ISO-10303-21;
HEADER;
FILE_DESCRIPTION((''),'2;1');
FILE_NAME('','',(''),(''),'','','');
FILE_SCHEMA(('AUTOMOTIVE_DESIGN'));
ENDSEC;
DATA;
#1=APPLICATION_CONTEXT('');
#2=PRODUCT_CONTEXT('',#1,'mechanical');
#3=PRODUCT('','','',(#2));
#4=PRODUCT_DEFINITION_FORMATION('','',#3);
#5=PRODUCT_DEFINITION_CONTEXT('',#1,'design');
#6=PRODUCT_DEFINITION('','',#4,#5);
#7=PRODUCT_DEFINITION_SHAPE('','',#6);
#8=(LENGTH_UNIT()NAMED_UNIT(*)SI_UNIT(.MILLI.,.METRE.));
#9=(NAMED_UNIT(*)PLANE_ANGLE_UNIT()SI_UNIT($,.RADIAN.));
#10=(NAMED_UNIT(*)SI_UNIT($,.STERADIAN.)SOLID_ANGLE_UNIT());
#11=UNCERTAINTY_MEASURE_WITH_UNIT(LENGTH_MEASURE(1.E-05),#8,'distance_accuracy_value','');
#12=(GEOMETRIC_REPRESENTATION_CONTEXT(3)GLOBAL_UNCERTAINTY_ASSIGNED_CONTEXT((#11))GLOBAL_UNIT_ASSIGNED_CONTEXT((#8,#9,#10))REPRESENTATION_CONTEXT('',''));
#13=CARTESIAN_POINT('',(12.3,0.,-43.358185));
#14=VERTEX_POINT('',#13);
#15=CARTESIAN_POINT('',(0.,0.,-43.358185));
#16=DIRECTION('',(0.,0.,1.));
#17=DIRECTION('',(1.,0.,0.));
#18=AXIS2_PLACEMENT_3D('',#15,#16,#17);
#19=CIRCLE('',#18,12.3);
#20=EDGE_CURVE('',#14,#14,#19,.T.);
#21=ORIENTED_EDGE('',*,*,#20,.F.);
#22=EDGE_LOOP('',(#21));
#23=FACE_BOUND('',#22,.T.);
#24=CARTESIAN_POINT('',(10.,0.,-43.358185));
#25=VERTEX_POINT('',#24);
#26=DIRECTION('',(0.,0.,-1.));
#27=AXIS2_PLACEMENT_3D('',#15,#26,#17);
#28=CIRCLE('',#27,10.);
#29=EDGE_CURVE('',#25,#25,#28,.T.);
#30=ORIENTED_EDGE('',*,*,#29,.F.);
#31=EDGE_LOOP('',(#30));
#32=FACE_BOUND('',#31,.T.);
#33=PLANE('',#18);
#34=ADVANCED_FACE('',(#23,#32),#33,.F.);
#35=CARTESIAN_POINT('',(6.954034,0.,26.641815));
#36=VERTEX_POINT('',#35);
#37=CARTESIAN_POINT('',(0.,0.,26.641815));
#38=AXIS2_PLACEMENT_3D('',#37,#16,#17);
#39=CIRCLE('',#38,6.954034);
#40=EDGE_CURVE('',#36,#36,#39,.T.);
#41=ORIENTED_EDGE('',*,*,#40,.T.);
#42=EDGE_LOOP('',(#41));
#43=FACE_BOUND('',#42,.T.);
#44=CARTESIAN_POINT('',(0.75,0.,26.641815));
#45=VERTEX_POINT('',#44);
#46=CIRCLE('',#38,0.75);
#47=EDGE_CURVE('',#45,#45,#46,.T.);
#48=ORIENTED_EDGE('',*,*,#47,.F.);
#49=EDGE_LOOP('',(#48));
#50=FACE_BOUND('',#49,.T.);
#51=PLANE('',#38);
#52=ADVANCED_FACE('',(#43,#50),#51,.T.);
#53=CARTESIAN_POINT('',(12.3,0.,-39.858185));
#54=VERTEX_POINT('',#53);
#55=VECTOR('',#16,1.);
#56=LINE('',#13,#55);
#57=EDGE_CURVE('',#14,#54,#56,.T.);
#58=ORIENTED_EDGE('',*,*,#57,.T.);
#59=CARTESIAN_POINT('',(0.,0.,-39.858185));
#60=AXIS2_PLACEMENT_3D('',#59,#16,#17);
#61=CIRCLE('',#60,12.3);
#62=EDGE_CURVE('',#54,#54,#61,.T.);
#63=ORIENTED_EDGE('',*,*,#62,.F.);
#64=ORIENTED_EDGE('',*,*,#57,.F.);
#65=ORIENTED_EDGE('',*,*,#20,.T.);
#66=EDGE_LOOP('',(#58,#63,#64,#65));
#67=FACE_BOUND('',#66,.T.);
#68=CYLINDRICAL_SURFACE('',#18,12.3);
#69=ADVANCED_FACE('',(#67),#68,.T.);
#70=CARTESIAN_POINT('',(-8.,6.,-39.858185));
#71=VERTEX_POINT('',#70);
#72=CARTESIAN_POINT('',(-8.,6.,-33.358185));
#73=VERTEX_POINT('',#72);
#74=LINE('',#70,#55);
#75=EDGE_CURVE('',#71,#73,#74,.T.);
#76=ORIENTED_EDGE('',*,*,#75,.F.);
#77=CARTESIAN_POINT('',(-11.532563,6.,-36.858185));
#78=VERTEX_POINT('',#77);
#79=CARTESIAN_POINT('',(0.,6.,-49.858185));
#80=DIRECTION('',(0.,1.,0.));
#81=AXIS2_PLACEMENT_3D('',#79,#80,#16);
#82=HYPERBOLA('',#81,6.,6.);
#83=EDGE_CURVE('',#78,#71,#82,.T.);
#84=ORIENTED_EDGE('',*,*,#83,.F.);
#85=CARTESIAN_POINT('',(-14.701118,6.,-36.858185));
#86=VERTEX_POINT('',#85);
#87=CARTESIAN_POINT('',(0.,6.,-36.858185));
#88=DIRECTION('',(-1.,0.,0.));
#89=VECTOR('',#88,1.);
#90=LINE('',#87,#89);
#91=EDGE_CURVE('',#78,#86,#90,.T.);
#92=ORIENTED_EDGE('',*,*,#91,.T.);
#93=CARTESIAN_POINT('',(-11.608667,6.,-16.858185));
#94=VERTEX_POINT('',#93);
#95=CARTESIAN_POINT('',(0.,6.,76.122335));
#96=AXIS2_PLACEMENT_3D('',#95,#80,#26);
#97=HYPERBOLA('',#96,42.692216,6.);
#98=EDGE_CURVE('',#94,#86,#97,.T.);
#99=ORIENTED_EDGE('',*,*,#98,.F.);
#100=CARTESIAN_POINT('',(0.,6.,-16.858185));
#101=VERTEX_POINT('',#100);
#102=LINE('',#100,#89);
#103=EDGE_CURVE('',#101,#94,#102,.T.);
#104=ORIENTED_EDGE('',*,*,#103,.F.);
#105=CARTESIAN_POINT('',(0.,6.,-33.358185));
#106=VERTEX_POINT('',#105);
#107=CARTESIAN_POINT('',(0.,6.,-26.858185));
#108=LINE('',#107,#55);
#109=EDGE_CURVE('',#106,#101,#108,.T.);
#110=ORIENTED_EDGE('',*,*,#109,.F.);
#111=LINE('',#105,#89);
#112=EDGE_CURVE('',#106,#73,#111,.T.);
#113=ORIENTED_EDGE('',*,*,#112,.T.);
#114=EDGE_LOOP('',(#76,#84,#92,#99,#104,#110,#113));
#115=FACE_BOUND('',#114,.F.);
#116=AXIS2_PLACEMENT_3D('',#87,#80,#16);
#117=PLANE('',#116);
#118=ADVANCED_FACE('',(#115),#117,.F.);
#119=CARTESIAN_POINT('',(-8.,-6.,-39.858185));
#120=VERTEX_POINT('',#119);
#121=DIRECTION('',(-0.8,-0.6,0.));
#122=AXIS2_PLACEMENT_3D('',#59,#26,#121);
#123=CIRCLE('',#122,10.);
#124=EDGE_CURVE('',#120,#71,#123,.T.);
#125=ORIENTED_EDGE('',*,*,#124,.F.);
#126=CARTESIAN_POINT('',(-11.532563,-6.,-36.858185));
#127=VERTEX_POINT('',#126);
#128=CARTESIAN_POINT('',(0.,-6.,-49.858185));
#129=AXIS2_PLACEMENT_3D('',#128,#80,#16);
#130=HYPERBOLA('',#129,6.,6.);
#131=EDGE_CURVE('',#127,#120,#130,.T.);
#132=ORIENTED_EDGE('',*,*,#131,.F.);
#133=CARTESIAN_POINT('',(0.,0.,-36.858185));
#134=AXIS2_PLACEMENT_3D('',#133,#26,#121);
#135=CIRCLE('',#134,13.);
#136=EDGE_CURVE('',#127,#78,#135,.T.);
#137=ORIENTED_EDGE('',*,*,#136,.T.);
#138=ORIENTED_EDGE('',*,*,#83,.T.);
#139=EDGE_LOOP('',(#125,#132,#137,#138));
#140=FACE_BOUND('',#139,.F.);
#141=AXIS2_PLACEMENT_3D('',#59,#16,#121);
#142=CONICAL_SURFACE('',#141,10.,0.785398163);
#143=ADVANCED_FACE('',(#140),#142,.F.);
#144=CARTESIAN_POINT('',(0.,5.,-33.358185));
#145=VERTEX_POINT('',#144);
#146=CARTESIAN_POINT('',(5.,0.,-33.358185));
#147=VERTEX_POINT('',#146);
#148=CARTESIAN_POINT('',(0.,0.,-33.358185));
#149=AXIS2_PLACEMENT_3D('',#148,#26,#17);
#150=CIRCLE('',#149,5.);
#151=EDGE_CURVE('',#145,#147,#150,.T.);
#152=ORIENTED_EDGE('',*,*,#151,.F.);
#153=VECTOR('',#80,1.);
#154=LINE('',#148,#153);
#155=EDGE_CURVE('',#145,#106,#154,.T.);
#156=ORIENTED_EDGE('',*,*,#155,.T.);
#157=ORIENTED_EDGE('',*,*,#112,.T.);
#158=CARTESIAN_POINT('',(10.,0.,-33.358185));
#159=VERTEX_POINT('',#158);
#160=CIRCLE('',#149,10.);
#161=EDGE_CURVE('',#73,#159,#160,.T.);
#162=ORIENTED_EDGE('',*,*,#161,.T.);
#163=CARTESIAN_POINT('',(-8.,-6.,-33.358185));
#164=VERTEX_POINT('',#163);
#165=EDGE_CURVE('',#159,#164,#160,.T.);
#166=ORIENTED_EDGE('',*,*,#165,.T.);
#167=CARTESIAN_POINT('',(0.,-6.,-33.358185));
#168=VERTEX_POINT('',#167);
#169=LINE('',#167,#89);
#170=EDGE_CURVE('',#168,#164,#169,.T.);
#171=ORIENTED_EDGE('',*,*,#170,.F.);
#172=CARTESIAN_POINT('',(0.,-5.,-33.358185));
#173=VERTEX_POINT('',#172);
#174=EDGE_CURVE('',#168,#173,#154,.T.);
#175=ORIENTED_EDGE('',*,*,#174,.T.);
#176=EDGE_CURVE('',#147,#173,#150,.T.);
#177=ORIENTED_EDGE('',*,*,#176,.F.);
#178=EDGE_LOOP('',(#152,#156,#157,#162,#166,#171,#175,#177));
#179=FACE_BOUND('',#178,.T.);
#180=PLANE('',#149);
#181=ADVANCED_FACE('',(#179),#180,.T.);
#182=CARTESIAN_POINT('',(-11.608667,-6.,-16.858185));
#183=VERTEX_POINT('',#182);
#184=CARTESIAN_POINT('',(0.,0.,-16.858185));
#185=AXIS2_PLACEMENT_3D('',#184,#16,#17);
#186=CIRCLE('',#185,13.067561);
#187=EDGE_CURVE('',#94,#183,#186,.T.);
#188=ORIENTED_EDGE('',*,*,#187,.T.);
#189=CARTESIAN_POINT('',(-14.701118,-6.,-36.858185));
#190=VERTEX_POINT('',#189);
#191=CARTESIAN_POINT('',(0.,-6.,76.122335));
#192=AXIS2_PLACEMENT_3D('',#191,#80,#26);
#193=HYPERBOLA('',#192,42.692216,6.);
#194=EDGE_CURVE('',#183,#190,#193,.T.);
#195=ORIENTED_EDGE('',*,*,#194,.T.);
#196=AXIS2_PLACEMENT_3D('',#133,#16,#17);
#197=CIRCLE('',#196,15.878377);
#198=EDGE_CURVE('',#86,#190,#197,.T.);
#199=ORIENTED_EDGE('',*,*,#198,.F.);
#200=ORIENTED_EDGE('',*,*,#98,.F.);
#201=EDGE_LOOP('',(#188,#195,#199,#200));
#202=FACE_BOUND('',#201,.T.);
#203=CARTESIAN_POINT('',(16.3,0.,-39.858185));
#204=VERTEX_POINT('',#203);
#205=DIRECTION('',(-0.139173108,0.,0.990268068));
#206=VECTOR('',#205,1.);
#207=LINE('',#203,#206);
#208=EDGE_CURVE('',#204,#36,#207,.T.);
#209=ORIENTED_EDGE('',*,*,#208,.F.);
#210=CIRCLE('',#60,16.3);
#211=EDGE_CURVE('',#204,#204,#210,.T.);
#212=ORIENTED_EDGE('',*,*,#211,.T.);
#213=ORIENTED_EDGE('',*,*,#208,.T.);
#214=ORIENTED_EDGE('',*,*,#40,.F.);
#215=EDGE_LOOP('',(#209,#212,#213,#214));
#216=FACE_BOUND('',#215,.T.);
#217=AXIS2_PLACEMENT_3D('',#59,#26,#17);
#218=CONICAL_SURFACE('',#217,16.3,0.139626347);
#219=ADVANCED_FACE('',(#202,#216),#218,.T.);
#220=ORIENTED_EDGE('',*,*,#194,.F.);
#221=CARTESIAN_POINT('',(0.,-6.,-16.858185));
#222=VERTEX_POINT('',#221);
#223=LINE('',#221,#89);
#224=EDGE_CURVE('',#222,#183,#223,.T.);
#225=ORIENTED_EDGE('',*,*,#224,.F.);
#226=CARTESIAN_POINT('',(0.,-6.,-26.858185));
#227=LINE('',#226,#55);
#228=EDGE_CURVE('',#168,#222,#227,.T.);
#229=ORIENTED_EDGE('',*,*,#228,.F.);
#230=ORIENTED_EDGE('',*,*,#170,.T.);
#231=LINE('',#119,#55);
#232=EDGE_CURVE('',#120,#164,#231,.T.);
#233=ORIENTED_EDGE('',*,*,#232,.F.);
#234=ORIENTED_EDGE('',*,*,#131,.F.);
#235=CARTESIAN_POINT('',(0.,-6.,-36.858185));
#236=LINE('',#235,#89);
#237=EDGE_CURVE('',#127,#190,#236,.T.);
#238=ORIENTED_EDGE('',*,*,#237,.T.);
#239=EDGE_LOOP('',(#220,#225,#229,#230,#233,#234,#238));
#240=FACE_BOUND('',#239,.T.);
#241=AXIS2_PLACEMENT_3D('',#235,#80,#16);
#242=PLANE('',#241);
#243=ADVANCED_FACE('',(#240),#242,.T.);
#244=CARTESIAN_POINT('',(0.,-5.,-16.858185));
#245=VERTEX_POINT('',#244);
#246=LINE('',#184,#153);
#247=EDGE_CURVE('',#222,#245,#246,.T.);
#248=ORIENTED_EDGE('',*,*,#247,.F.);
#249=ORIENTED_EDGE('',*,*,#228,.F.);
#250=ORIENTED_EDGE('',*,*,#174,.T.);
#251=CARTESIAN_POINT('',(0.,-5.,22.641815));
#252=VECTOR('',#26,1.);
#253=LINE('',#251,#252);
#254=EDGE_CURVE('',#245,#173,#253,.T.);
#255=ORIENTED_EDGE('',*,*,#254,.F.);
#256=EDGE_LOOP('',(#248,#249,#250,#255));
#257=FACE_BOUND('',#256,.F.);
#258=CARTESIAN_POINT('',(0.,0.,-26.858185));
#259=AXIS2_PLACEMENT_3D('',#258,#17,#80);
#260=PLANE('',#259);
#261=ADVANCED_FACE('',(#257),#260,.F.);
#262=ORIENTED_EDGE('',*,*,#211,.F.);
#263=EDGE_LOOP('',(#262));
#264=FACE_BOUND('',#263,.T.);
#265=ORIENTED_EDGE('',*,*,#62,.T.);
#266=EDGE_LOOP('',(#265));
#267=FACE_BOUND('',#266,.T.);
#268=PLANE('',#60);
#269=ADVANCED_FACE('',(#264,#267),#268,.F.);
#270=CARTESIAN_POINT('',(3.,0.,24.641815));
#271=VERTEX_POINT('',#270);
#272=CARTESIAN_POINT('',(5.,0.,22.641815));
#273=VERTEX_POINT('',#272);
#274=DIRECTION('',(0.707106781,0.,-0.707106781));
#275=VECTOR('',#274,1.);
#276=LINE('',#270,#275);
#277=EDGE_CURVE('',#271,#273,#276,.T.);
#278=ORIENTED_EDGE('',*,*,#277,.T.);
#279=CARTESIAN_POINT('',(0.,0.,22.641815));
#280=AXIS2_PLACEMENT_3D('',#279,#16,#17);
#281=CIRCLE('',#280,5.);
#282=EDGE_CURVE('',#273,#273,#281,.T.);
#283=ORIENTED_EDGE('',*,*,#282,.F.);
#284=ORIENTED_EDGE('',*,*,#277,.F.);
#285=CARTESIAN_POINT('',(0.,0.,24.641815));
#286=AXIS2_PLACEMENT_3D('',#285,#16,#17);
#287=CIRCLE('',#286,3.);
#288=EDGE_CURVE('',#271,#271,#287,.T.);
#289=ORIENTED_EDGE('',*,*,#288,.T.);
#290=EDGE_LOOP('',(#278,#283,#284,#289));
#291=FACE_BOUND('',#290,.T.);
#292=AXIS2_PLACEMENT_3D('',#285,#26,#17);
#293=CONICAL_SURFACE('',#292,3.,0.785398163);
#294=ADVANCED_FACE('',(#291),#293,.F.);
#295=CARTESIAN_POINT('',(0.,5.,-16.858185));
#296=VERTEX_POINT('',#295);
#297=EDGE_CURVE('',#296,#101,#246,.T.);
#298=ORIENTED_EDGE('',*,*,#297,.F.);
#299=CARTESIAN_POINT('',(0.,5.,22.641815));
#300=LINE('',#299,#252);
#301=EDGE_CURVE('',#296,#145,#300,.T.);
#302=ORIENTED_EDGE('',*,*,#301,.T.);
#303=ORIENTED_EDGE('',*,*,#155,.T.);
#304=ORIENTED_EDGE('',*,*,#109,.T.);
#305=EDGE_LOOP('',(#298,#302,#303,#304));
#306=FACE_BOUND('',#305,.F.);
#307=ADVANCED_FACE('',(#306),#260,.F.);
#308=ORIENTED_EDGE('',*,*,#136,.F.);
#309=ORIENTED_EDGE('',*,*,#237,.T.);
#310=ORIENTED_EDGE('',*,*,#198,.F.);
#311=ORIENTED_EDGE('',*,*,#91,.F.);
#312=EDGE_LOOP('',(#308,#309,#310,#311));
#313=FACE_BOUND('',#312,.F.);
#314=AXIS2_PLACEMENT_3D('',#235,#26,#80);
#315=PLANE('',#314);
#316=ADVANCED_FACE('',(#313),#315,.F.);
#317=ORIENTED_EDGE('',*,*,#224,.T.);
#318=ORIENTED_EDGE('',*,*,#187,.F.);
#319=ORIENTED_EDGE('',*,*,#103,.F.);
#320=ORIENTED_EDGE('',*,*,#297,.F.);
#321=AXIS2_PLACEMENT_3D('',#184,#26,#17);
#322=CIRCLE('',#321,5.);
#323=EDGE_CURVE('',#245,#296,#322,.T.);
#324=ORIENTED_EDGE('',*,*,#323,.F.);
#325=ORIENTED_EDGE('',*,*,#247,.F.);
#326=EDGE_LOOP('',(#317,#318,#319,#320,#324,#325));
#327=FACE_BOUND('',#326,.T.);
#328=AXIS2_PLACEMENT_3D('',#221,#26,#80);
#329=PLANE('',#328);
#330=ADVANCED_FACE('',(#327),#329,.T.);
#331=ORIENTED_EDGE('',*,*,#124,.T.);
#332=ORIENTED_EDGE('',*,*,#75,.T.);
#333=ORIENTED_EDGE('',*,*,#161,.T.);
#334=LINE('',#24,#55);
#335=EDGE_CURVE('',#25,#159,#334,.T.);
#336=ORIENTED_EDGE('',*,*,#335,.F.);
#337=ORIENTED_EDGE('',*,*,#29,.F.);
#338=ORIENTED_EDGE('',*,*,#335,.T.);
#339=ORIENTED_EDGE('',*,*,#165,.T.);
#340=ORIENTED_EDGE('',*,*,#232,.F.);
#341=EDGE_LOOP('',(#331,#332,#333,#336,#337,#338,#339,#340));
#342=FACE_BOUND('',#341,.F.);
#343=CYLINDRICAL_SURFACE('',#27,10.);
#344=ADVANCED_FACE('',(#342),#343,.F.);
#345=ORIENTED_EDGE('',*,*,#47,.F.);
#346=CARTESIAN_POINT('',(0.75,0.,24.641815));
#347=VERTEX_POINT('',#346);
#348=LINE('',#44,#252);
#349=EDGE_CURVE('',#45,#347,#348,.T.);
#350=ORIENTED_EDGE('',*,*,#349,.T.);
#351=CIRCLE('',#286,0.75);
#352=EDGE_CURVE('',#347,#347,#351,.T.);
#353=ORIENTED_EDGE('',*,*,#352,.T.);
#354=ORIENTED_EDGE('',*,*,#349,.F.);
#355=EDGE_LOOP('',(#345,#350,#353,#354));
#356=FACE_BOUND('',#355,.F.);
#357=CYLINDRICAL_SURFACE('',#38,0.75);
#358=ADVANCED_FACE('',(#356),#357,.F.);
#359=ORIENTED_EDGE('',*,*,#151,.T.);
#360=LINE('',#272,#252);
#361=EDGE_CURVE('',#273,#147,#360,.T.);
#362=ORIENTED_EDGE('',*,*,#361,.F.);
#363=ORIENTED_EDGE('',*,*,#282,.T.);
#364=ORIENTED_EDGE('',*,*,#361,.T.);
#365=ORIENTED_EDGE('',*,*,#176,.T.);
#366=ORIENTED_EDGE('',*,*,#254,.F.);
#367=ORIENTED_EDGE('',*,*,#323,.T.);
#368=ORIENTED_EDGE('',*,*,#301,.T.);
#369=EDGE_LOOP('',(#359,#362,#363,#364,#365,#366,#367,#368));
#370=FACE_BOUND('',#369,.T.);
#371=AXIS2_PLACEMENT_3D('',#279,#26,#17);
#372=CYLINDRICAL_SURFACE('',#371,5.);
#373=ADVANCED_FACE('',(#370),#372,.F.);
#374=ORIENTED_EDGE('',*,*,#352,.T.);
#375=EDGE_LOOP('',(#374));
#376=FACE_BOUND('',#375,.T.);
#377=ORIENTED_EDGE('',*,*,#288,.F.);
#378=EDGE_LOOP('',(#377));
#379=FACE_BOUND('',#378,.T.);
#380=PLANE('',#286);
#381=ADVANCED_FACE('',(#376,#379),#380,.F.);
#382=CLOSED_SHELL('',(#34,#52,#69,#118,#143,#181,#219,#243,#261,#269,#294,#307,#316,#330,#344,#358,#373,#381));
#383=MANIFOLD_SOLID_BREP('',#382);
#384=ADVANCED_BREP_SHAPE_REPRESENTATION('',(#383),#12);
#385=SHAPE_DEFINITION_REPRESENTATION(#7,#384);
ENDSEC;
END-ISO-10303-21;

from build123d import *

# Parameters (mm, degrees)
F2_R     = 0.75
F3_DEPTH = 70.001
F4_W     = 12
F4_H     = 20
F5_DEPTH = 25
F6_R     = 10
F7_DEPTH = 10
F8_SIZE  = 3


with BuildPart() as f1:
    # F0 (on Front) → F1 (revolve)
    with BuildSketch(Plane.XZ):
        Polygon((6.954034, 26.641815), (0, 26.641815), (0, 24.641815), (3, 24.641815), (5, 22.641815), (5, -43.358185), (12.3, -43.358185), (12.3, -39.858185), (16.3, -39.858185), align=None)
    revolve(axis=Axis((0, 0, 25.641815), (0, 0, 1)))

    # F2 (on face) → F3 (cut, through all)
    with BuildSketch(Plane.XY.offset(26.641815)):
        Circle(F2_R)
    extrude(amount=-F3_DEPTH, mode=Mode.SUBTRACT)

    # F4 (on Right) → F5 (cut)
    with BuildSketch(Plane.YZ):
        with Locations((0, -26.858185)):
            Rectangle(F4_W, F4_H)
    extrude(amount=-F5_DEPTH, mode=Mode.SUBTRACT)

    # F6 (on face) → F7 (cut)
    with BuildSketch(Plane(origin=(0, 0, -43.358185), x_dir=(1, 0, 0), z_dir=(0, 0, -1))):
        Circle(F6_R)
    extrude(amount=-F7_DEPTH, mode=Mode.SUBTRACT)

    # F8
    f8_edges = [f1.edges().sort_by_distance(p)[0] for p in [
        (-10, 0, -36.858185),
    ]]
    chamfer(f8_edges, length=F8_SIZE)


solid = f1.part
